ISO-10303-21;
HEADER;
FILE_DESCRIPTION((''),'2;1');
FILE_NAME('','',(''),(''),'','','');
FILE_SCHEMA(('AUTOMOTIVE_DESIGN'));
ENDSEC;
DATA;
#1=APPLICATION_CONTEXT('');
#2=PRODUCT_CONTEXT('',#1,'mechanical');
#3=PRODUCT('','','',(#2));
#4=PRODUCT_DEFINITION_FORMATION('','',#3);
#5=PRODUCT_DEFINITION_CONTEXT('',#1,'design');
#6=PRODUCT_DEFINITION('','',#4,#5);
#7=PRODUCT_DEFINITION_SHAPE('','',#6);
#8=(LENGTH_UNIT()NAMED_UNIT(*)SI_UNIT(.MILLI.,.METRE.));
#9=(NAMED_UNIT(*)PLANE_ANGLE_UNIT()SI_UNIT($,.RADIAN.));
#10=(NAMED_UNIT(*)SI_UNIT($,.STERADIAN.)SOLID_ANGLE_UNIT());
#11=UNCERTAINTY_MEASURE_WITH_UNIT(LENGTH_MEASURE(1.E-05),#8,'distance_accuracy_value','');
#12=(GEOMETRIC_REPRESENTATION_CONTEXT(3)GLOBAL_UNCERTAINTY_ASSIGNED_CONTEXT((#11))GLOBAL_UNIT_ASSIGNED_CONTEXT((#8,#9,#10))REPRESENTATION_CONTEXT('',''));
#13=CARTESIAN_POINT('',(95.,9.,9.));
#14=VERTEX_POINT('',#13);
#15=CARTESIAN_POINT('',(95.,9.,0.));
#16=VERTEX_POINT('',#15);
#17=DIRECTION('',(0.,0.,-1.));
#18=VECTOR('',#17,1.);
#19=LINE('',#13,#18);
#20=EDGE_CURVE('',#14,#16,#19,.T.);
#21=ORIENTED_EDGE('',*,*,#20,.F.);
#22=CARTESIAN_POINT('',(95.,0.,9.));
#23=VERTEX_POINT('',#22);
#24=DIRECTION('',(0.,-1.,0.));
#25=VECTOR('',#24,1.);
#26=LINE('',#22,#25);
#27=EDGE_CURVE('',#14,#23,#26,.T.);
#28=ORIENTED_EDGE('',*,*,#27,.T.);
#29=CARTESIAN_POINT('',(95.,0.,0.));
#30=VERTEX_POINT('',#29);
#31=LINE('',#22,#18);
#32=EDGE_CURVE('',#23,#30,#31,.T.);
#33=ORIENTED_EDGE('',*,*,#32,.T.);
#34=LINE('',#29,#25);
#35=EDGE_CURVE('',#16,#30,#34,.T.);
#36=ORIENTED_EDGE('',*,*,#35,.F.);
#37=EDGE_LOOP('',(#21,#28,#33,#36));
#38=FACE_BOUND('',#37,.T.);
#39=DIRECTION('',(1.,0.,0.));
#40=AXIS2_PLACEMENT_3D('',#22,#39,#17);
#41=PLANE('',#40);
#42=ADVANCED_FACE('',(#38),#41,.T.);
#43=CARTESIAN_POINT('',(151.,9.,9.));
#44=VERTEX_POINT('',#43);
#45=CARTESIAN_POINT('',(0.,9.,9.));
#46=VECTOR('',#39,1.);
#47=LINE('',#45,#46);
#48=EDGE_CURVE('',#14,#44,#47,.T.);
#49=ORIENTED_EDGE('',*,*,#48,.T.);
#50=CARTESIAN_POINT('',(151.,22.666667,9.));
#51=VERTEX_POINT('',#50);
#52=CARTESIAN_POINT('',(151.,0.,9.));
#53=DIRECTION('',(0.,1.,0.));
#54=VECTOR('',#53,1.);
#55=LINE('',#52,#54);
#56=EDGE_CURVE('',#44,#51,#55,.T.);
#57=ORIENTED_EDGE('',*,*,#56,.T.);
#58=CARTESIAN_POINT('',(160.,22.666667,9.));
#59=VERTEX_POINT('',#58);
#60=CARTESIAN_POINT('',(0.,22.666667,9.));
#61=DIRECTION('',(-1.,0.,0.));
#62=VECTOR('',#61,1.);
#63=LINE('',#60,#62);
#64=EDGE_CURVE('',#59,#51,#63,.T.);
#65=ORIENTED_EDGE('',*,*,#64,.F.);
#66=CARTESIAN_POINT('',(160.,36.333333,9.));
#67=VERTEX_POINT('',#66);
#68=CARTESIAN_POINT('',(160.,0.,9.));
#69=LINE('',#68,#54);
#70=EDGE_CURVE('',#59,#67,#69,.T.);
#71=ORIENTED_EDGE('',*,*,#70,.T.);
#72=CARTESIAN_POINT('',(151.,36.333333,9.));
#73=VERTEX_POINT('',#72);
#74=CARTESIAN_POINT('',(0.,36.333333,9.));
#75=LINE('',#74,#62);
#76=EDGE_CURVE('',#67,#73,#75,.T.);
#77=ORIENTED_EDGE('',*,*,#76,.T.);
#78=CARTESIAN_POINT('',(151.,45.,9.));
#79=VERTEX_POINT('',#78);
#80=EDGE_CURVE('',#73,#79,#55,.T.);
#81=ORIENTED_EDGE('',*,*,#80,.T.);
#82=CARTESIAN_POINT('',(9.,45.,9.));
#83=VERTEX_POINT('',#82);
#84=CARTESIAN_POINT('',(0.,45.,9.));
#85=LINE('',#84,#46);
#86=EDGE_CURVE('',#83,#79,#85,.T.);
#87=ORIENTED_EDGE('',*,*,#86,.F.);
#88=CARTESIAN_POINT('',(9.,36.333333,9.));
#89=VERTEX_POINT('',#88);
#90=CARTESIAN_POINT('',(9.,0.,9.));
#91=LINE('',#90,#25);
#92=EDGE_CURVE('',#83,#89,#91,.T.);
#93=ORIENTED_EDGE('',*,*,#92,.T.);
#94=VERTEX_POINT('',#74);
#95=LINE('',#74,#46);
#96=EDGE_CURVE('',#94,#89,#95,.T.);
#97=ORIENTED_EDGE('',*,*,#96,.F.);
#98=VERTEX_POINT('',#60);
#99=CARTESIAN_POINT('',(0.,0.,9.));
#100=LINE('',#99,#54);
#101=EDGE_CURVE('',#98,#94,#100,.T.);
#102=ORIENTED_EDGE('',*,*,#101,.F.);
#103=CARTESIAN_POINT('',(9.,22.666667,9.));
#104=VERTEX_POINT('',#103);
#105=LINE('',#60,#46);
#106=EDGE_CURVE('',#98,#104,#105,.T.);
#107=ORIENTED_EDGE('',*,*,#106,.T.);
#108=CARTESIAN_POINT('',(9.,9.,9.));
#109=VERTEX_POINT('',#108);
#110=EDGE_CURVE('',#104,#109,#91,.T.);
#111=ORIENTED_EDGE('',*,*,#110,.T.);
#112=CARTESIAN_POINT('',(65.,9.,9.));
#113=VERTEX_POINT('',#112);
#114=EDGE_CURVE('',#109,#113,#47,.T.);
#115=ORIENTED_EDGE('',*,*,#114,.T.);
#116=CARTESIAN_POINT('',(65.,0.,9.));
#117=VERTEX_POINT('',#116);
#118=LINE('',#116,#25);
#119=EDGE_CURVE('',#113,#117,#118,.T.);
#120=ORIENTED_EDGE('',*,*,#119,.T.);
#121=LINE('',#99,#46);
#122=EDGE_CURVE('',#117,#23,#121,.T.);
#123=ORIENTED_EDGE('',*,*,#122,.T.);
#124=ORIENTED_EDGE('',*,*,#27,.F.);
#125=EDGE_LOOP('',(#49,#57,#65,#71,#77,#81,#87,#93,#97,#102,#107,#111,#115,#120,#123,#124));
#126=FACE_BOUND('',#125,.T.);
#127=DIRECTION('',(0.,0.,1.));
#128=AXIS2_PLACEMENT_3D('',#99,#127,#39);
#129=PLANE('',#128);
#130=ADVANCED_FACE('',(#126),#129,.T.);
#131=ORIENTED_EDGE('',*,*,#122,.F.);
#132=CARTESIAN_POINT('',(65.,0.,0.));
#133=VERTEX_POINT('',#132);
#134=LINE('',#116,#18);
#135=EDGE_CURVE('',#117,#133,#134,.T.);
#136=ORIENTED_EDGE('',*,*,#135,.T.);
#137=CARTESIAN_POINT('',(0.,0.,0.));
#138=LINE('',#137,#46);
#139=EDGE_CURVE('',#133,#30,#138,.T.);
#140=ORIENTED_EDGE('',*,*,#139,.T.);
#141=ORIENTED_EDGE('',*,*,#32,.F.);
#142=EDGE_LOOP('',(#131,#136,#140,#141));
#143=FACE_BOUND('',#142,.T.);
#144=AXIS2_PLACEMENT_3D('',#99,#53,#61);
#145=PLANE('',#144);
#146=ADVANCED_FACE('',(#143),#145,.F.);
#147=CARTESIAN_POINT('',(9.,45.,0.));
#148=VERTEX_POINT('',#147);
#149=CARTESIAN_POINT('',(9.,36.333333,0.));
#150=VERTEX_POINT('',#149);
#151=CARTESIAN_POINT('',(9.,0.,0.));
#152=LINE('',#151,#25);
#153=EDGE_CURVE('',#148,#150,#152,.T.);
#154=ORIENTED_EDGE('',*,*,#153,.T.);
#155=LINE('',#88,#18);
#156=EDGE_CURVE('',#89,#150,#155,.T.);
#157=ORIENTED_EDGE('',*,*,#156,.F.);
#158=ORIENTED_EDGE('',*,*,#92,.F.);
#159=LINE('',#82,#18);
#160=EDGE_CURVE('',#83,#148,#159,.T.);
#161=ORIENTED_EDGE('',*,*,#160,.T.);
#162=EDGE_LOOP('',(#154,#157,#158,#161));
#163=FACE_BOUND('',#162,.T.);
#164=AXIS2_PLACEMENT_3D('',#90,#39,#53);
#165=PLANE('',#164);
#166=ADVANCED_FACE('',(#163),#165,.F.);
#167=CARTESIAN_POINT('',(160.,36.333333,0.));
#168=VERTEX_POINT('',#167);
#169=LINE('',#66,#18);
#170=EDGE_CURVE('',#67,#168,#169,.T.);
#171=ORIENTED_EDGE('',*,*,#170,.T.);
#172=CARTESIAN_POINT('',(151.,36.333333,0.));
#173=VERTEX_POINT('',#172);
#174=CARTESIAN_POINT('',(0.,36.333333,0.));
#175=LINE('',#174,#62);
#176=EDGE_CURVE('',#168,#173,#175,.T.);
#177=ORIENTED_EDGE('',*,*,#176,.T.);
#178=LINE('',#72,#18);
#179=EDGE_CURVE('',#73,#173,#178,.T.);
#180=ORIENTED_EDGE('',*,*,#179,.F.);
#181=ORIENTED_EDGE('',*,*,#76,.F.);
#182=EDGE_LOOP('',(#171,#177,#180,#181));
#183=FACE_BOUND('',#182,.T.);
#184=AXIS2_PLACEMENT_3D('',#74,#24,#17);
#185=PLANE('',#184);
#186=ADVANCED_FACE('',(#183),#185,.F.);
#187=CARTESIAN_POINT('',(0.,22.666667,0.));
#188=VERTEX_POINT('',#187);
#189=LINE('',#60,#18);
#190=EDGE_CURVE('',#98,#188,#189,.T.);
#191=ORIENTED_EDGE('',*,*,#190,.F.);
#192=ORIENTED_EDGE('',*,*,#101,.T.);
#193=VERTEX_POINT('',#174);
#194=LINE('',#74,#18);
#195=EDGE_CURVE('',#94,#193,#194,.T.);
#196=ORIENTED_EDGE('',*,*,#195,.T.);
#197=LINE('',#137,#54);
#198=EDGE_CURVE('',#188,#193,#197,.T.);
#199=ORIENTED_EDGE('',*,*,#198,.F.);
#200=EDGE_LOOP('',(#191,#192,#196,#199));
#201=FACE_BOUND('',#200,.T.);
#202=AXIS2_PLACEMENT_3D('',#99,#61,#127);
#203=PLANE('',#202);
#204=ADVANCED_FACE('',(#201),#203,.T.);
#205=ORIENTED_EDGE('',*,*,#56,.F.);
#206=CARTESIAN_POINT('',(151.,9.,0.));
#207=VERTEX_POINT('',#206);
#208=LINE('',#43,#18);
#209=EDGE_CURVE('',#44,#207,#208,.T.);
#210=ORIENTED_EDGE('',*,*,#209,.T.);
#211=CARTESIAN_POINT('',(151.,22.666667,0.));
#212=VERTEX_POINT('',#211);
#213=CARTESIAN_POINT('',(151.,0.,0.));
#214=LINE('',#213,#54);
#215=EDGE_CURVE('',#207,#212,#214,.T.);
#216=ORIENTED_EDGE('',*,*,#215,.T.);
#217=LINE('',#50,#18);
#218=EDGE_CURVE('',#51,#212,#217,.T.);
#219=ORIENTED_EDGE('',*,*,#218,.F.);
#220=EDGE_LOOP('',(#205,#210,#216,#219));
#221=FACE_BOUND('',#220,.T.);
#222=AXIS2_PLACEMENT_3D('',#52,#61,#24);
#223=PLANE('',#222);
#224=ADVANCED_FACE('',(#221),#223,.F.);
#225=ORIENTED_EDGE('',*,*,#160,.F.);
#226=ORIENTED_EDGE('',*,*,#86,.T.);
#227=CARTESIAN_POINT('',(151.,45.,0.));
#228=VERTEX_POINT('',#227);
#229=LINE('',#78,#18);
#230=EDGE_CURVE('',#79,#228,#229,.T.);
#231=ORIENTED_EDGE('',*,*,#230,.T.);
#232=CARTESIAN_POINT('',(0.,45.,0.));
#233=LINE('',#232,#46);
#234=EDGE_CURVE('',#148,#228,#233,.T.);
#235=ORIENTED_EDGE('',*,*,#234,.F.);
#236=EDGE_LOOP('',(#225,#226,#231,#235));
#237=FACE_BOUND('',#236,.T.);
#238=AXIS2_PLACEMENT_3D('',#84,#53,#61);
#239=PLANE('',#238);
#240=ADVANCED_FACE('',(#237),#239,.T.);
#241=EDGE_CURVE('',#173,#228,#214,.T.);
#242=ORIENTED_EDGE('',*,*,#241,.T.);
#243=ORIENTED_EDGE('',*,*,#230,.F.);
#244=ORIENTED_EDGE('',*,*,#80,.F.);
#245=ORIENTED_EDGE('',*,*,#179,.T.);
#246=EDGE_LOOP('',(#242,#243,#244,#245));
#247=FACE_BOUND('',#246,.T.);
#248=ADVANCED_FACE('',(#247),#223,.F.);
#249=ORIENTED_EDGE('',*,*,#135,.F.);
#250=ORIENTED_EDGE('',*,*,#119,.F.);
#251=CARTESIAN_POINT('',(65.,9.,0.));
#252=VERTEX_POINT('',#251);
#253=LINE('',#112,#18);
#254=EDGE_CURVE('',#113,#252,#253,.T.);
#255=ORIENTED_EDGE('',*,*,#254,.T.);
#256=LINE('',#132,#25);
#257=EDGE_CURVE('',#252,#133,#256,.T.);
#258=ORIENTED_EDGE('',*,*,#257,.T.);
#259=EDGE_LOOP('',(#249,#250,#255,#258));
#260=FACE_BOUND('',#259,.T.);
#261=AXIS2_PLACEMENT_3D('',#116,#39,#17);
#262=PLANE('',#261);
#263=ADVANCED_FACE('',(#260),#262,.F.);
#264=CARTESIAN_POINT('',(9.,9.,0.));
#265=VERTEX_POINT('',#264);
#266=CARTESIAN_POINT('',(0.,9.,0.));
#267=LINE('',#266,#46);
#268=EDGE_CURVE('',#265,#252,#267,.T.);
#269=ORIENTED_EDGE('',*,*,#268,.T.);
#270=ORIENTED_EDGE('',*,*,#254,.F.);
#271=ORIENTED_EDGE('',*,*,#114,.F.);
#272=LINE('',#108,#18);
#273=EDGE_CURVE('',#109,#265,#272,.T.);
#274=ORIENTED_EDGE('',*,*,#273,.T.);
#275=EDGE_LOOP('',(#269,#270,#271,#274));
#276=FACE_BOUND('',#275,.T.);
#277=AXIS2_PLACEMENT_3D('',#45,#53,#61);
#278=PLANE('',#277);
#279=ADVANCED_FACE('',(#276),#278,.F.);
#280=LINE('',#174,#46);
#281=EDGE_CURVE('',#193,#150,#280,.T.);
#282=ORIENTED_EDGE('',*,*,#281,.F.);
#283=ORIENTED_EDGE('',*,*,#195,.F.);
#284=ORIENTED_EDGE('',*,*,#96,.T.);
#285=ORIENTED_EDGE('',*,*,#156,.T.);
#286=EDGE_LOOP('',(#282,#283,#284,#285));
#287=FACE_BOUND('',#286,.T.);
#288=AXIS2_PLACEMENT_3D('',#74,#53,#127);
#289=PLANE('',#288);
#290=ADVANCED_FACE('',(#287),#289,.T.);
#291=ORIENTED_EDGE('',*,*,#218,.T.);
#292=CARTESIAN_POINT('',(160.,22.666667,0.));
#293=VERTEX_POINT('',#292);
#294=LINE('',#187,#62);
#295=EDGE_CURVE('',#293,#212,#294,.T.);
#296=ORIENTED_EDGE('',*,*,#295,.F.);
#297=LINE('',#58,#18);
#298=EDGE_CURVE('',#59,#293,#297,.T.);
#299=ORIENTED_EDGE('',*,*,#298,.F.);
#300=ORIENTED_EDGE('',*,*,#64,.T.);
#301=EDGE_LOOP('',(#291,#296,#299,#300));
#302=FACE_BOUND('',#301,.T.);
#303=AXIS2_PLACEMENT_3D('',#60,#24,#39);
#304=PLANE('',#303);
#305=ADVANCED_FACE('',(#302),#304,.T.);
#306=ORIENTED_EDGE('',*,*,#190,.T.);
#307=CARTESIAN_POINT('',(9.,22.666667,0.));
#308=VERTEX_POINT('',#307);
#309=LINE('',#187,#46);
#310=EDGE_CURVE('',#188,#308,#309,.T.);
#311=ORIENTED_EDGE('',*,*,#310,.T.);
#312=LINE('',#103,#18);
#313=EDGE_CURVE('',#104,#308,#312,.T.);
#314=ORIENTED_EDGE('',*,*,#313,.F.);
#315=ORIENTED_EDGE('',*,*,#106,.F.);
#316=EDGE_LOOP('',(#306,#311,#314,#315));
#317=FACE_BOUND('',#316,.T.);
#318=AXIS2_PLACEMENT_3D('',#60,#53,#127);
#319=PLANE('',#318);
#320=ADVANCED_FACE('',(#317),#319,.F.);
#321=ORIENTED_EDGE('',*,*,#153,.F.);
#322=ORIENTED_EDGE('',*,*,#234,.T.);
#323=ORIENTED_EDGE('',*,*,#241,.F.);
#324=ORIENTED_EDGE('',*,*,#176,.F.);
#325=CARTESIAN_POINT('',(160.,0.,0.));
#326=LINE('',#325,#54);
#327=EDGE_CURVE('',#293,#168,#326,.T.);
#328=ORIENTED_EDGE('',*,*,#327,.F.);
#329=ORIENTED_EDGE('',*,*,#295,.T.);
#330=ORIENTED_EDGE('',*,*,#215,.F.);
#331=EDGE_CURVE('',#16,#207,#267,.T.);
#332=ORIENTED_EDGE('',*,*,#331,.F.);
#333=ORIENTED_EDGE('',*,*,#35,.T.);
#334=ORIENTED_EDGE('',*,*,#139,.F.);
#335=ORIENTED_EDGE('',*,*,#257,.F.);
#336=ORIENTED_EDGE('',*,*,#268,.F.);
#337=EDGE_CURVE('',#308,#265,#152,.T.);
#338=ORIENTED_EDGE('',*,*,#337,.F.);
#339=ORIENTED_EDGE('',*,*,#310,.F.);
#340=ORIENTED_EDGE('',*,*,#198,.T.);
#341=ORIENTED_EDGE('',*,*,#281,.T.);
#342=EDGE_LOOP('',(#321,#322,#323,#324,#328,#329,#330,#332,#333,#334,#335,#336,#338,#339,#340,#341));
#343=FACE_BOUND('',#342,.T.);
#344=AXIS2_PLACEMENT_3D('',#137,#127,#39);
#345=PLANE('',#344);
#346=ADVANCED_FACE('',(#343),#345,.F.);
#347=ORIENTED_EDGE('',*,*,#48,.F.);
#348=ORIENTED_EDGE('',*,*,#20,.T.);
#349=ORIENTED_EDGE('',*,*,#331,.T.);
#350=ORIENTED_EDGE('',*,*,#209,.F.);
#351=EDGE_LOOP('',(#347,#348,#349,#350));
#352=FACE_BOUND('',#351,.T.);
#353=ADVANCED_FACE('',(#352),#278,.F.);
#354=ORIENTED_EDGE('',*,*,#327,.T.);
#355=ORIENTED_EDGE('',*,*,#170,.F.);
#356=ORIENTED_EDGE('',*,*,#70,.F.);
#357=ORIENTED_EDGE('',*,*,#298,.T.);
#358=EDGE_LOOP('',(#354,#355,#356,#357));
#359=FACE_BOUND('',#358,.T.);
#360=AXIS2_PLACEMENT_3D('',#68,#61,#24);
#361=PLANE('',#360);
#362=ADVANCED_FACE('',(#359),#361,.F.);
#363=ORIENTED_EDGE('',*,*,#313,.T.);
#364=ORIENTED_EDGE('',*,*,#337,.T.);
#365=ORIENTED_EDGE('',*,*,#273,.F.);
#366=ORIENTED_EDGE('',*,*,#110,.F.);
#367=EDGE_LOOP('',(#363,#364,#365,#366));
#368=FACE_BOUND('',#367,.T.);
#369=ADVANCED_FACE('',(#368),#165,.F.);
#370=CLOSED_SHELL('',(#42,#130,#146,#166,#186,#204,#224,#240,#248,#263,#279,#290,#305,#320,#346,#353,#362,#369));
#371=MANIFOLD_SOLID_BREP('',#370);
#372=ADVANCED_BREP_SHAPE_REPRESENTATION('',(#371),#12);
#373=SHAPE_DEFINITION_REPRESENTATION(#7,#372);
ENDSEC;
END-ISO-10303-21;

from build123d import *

# Parameters (mm, degrees)
SKETCH1_W           = 9
SKETCH1_H           = 13.666666666
SKETCH1_W_2         = 30
SKETCH1_H_2         = 9
BOSS_EXTRUDE1_DEPTH = 9


with BuildPart() as part:
    # Sketch1 → Boss-Extrude1 (new body)
    with BuildSketch(Plane.XY):
        Polygon((9, 9), (65, 9), (95, 9), (151, 9), (151, 22.666666667), (151, 36.333333333), (151, 45), (9, 45), (9, 36.333333333), (9, 22.666666667), align=None)
        with Locations((4.5, 29.5)):
            Rectangle(SKETCH1_W, SKETCH1_H)
        with Locations((80, 4.5)):
            Rectangle(SKETCH1_W_2, SKETCH1_H_2)
        with Locations((155.5, 29.5)):
            Rectangle(SKETCH1_W, SKETCH1_H)
    extrude(amount=BOSS_EXTRUDE1_DEPTH)


solid = part.part
